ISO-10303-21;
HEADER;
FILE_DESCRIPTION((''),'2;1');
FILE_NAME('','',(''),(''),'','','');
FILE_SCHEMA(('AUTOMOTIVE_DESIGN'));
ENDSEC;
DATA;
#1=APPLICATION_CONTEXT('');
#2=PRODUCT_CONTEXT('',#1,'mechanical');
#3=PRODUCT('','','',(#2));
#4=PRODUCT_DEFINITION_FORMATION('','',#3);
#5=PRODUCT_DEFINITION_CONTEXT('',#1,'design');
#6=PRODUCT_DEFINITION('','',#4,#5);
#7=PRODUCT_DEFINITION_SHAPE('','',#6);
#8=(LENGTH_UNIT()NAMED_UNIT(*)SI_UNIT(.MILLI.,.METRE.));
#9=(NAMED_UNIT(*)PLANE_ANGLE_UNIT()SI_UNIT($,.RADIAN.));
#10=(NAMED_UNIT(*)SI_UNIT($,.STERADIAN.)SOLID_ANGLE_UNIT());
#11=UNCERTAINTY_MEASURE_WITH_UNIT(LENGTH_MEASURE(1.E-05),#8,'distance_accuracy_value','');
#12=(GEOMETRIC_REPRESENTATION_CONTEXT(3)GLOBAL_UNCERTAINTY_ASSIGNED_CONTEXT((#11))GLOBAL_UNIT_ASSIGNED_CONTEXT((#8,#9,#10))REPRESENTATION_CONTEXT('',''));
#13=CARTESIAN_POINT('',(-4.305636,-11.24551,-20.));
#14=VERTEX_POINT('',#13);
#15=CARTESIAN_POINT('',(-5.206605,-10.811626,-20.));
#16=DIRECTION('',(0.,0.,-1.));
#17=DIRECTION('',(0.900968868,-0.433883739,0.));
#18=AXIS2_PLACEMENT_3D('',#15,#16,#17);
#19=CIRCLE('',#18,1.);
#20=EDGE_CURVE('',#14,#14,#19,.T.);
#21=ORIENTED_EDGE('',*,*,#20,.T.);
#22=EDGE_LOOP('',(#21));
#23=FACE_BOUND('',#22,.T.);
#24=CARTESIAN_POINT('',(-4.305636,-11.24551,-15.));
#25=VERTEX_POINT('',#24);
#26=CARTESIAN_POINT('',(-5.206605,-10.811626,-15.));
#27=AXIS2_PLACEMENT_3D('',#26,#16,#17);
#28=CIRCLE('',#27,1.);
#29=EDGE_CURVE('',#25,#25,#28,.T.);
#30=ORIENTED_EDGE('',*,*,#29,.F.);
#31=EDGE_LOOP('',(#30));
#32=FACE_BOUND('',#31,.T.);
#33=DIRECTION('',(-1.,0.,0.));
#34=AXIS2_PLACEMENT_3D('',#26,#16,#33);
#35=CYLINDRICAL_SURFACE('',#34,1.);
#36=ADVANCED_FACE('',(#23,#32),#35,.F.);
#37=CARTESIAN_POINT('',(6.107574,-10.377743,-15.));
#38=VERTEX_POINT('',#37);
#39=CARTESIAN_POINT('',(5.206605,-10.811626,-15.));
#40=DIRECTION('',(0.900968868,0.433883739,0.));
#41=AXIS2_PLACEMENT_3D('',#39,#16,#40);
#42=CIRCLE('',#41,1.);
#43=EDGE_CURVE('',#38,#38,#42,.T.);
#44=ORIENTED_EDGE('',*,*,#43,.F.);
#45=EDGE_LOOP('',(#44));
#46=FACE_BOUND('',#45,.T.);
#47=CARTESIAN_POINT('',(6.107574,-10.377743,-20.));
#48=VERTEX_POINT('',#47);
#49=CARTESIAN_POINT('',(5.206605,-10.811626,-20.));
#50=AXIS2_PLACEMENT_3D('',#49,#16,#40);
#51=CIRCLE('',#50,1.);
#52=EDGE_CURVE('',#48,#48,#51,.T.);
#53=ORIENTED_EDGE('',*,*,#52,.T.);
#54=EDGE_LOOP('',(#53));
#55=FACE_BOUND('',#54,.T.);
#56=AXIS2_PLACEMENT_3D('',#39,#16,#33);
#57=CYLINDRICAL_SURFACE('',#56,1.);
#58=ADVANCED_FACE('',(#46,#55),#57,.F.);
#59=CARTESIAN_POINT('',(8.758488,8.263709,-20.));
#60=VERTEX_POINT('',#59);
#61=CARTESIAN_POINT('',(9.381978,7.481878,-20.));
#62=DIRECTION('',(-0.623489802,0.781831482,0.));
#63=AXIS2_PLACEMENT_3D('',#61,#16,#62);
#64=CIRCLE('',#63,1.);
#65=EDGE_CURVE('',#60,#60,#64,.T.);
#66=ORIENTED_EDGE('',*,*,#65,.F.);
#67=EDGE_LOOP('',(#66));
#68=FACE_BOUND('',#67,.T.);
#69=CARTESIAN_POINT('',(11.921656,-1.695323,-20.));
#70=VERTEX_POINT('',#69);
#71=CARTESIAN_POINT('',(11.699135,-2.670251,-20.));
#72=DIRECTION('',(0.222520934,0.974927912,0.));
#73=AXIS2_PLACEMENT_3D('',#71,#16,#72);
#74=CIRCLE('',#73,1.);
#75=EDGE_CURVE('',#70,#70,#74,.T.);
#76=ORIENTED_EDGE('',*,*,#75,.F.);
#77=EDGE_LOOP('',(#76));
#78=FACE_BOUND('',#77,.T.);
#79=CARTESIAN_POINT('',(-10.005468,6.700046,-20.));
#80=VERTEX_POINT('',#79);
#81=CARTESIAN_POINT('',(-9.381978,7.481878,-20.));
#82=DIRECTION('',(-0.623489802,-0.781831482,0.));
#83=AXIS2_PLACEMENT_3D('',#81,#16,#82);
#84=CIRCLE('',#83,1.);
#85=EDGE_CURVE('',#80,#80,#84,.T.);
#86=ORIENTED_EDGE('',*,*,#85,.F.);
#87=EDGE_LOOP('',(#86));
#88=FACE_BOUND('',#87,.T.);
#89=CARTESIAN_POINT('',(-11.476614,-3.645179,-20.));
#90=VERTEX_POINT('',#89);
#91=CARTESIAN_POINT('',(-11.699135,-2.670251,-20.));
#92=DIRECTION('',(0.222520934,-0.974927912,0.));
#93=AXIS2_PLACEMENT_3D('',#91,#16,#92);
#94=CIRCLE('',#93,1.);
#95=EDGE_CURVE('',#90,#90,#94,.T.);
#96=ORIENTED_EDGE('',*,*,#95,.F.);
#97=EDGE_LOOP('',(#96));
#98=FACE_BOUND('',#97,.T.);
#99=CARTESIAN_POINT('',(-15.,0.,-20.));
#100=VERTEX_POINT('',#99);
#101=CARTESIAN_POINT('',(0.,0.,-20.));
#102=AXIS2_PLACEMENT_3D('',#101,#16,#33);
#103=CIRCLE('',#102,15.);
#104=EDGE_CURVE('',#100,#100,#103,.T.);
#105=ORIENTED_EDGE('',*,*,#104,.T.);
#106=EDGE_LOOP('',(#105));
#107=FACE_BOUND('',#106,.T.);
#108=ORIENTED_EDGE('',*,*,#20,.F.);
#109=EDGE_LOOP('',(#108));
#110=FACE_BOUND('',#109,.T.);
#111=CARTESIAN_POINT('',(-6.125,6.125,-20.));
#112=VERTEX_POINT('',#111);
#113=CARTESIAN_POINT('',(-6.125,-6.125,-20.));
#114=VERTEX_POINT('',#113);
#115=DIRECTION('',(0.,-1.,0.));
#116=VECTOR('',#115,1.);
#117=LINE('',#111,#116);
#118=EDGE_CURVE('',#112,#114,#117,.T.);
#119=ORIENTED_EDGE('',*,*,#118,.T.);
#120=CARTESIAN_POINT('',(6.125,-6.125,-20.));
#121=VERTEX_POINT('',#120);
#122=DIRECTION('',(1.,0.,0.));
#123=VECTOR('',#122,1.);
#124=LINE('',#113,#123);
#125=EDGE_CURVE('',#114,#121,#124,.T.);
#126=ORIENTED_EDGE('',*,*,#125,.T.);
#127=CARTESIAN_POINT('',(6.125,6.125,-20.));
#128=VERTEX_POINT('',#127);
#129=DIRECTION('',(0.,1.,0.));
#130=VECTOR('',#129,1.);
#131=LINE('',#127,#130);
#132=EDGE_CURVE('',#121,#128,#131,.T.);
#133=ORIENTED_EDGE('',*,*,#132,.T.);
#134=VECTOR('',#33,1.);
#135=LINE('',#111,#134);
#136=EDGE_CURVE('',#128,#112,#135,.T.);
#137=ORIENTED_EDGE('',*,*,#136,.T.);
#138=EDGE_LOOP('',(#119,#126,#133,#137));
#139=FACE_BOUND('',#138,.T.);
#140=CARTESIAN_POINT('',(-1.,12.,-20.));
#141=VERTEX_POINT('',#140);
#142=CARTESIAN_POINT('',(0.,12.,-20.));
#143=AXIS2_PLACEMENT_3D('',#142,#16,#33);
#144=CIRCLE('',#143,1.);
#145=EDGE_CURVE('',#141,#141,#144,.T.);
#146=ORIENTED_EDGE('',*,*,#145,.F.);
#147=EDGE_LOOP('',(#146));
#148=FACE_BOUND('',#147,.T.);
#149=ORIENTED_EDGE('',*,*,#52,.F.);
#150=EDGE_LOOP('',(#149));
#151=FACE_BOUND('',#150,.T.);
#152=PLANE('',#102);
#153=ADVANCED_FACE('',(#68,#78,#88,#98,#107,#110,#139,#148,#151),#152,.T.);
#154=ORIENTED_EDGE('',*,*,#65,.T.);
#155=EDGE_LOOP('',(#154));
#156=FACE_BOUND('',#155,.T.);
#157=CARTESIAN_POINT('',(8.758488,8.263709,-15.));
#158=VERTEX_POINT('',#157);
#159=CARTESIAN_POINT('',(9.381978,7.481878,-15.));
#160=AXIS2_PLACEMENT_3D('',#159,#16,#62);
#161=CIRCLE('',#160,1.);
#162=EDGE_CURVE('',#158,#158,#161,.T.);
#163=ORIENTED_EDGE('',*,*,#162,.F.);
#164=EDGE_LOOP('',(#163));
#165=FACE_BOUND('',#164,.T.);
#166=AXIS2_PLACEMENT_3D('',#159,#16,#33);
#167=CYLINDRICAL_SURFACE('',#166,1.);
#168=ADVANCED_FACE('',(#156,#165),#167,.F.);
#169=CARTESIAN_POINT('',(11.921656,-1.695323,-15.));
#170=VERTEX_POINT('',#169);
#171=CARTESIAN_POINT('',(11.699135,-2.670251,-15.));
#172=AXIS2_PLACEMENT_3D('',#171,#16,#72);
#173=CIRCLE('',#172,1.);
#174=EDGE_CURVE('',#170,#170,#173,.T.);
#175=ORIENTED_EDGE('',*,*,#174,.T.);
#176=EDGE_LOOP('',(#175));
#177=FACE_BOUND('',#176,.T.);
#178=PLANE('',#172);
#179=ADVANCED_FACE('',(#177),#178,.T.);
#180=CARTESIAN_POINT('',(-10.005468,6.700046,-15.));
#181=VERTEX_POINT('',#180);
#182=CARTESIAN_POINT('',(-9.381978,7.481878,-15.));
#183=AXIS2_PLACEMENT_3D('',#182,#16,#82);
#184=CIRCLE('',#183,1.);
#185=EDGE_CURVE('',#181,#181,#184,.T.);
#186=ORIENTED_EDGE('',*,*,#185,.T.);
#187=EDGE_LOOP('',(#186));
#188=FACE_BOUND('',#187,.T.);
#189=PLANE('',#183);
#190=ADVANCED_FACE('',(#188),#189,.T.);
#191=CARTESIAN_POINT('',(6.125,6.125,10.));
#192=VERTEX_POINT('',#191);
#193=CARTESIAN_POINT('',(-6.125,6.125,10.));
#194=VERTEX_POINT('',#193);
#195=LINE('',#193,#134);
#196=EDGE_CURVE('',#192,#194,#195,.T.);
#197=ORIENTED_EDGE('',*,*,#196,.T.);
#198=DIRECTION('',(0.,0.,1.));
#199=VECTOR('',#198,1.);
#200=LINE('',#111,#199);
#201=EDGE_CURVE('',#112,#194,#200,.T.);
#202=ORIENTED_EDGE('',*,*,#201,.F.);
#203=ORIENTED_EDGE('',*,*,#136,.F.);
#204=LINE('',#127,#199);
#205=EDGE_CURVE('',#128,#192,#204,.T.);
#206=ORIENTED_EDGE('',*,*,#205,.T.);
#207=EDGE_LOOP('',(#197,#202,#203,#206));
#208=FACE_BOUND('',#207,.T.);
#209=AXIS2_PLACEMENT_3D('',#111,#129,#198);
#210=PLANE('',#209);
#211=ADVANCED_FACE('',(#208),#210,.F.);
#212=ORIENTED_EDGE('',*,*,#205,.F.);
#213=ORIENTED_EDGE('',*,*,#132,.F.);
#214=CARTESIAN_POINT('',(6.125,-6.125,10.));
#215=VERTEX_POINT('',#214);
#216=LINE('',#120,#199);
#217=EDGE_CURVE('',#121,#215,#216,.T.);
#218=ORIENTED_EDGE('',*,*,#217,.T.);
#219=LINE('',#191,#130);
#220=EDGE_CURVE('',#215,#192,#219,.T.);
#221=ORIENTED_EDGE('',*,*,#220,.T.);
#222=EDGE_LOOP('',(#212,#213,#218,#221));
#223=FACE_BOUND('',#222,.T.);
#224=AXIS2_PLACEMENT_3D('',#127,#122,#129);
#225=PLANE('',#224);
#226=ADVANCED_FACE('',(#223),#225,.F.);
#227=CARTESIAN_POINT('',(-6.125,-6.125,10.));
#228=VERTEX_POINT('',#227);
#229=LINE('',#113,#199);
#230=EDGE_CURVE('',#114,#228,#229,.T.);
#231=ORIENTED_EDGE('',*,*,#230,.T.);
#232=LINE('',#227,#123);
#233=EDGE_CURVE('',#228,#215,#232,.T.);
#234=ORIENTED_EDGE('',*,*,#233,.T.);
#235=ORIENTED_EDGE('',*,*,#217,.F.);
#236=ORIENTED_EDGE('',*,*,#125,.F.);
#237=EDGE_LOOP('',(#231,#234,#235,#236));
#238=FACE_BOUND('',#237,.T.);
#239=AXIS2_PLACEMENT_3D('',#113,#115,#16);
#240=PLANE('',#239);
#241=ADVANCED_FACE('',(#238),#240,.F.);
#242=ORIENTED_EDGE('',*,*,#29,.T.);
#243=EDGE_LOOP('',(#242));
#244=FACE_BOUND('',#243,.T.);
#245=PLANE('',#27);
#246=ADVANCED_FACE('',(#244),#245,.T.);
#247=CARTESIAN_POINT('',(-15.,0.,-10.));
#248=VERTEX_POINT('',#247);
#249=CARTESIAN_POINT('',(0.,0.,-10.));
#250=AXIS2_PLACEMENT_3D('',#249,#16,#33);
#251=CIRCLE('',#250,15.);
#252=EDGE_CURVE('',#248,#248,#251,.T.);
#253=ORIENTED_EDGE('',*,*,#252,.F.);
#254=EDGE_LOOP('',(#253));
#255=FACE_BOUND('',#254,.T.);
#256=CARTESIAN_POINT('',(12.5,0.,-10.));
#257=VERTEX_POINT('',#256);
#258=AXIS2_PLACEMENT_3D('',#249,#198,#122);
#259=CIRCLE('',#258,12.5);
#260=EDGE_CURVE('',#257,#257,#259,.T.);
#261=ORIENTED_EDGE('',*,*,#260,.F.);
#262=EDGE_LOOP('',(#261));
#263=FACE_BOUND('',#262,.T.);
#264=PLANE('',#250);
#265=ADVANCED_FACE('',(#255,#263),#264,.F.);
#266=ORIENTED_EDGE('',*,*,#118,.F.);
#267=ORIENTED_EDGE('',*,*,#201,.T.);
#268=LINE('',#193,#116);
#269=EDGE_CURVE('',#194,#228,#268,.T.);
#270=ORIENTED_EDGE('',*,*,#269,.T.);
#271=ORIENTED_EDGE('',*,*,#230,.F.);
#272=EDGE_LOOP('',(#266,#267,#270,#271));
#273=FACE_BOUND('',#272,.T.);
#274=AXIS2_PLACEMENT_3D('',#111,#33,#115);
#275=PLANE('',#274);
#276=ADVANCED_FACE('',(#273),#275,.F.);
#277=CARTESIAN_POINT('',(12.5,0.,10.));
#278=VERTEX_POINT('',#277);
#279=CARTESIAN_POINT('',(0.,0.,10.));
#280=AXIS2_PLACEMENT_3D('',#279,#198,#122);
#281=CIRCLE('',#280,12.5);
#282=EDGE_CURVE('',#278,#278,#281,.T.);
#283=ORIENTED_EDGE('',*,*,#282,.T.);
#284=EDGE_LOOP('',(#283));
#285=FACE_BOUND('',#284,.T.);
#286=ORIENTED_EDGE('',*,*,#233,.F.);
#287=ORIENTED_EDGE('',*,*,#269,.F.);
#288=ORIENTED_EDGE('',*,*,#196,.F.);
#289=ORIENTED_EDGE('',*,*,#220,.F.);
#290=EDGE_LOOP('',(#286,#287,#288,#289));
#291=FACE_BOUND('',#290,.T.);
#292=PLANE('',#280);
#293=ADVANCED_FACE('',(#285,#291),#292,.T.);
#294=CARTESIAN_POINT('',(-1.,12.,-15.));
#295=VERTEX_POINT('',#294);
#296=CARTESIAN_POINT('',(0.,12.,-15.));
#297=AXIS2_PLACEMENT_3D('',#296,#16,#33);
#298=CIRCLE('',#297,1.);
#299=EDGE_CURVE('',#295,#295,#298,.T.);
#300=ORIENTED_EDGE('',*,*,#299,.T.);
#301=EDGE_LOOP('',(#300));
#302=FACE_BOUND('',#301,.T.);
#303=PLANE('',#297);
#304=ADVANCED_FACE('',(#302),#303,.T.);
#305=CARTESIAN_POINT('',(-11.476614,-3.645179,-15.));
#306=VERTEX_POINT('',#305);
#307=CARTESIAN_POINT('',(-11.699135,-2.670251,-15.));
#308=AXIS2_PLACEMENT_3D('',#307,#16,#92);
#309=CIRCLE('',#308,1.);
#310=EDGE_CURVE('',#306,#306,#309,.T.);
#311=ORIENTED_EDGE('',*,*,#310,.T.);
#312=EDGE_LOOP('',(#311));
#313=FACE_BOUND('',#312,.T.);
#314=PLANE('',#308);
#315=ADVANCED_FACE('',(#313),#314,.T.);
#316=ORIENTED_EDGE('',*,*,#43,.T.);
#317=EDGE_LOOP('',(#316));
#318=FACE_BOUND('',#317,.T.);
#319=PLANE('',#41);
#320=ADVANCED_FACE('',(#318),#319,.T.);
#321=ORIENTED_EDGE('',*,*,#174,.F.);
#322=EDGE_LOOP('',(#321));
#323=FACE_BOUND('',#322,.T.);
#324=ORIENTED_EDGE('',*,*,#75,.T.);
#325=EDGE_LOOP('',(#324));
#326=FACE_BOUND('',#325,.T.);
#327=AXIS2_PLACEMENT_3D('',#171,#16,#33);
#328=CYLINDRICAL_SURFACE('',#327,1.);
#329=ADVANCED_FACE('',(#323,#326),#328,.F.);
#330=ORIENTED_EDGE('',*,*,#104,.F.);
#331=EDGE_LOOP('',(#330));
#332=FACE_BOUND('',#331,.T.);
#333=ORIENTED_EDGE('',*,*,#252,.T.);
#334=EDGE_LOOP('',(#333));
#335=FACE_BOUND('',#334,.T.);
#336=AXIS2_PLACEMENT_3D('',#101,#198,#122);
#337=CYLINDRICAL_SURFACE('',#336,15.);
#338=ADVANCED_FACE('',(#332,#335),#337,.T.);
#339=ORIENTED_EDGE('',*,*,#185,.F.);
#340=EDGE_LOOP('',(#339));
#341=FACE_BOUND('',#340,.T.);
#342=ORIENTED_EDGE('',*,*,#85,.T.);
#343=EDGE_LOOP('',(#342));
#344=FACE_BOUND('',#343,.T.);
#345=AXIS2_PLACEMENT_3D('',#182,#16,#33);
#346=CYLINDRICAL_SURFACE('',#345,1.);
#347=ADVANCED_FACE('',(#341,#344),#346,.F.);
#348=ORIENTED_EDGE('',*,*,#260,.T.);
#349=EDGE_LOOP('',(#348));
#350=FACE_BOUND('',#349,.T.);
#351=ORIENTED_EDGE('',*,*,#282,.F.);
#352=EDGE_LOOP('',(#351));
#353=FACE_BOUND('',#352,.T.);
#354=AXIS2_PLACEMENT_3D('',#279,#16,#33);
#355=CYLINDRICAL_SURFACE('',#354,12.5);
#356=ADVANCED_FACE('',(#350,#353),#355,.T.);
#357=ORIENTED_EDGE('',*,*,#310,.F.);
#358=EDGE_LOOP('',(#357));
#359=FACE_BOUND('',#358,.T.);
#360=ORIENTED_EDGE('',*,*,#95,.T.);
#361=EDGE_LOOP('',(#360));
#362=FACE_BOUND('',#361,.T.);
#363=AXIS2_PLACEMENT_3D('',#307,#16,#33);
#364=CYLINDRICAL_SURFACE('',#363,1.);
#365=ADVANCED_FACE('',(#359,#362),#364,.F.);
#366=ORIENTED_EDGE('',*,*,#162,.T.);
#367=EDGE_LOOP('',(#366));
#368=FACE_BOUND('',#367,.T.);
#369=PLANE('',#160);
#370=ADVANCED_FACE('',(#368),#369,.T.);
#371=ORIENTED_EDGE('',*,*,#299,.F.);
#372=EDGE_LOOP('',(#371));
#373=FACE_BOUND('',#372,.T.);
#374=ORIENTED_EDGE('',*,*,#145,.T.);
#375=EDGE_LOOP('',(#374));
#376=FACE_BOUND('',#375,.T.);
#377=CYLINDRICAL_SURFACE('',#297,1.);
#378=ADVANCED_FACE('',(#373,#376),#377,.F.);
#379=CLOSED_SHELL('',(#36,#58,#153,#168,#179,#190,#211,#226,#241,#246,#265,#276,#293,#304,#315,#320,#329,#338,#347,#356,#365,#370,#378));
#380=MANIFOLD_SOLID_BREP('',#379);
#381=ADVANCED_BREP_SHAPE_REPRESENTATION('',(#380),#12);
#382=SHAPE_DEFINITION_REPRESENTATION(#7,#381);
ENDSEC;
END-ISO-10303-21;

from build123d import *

# Parameters (mm, degrees)
SKETCH1_R           = 12.5
BOSS_EXTRUDE1_DEPTH = 10
SKETCH11_R          = 15
BOSS_EXTRUDE2_DEPTH = 10
SKETCH8_W           = 12.25
SKETCH8_H           = 12.25
CUT_EXTRUDE1_DEPTH  = 37.742346142
SKETCH12_R          = 1
CUT_EXTRUDE2_DEPTH  = 5
CIRPATTERN1_COUNT   = 7


with BuildPart() as part:
    # Sketch1 → Boss-Extrude1 (new, symmetric)
    with BuildSketch(Plane.XY):
        Circle(SKETCH1_R)
    extrude(amount=BOSS_EXTRUDE1_DEPTH, both=True)

    # Sketch11 → Boss-Extrude2 (add)
    with BuildSketch(Plane(origin=(0, 0, -10), x_dir=(-1, 0, 0), z_dir=(0, 0, -1))):
        Circle(SKETCH11_R)
    extrude(amount=BOSS_EXTRUDE2_DEPTH)

    # Sketch8 → Cut-Extrude1 (cut, through all)
    with BuildSketch(Plane.XY.offset(10)):
        Rectangle(SKETCH8_W, SKETCH8_H)
    extrude(amount=-CUT_EXTRUDE1_DEPTH, mode=Mode.SUBTRACT)

    # Sketch12 → Cut-Extrude2 (cut)
    with BuildSketch(Plane(origin=(0, 0, -20), x_dir=(-1, 0, 0), z_dir=(0, 0, -1))):
        with Locations((0, 12.00000002)):
            Circle(SKETCH12_R)
    cut_extrude2 = extrude(amount=-CUT_EXTRUDE2_DEPTH, mode=Mode.SUBTRACT)

    # CirPattern1: Cut-Extrude2 ×7 about axis
    cirpattern1_axis = Axis((0, 0, 0), (0, 0, 1))
    for i in range(1, CIRPATTERN1_COUNT):
        add(cut_extrude2.rotate(cirpattern1_axis, i * 360 / CIRPATTERN1_COUNT), mode=Mode.SUBTRACT)


solid = part.part
